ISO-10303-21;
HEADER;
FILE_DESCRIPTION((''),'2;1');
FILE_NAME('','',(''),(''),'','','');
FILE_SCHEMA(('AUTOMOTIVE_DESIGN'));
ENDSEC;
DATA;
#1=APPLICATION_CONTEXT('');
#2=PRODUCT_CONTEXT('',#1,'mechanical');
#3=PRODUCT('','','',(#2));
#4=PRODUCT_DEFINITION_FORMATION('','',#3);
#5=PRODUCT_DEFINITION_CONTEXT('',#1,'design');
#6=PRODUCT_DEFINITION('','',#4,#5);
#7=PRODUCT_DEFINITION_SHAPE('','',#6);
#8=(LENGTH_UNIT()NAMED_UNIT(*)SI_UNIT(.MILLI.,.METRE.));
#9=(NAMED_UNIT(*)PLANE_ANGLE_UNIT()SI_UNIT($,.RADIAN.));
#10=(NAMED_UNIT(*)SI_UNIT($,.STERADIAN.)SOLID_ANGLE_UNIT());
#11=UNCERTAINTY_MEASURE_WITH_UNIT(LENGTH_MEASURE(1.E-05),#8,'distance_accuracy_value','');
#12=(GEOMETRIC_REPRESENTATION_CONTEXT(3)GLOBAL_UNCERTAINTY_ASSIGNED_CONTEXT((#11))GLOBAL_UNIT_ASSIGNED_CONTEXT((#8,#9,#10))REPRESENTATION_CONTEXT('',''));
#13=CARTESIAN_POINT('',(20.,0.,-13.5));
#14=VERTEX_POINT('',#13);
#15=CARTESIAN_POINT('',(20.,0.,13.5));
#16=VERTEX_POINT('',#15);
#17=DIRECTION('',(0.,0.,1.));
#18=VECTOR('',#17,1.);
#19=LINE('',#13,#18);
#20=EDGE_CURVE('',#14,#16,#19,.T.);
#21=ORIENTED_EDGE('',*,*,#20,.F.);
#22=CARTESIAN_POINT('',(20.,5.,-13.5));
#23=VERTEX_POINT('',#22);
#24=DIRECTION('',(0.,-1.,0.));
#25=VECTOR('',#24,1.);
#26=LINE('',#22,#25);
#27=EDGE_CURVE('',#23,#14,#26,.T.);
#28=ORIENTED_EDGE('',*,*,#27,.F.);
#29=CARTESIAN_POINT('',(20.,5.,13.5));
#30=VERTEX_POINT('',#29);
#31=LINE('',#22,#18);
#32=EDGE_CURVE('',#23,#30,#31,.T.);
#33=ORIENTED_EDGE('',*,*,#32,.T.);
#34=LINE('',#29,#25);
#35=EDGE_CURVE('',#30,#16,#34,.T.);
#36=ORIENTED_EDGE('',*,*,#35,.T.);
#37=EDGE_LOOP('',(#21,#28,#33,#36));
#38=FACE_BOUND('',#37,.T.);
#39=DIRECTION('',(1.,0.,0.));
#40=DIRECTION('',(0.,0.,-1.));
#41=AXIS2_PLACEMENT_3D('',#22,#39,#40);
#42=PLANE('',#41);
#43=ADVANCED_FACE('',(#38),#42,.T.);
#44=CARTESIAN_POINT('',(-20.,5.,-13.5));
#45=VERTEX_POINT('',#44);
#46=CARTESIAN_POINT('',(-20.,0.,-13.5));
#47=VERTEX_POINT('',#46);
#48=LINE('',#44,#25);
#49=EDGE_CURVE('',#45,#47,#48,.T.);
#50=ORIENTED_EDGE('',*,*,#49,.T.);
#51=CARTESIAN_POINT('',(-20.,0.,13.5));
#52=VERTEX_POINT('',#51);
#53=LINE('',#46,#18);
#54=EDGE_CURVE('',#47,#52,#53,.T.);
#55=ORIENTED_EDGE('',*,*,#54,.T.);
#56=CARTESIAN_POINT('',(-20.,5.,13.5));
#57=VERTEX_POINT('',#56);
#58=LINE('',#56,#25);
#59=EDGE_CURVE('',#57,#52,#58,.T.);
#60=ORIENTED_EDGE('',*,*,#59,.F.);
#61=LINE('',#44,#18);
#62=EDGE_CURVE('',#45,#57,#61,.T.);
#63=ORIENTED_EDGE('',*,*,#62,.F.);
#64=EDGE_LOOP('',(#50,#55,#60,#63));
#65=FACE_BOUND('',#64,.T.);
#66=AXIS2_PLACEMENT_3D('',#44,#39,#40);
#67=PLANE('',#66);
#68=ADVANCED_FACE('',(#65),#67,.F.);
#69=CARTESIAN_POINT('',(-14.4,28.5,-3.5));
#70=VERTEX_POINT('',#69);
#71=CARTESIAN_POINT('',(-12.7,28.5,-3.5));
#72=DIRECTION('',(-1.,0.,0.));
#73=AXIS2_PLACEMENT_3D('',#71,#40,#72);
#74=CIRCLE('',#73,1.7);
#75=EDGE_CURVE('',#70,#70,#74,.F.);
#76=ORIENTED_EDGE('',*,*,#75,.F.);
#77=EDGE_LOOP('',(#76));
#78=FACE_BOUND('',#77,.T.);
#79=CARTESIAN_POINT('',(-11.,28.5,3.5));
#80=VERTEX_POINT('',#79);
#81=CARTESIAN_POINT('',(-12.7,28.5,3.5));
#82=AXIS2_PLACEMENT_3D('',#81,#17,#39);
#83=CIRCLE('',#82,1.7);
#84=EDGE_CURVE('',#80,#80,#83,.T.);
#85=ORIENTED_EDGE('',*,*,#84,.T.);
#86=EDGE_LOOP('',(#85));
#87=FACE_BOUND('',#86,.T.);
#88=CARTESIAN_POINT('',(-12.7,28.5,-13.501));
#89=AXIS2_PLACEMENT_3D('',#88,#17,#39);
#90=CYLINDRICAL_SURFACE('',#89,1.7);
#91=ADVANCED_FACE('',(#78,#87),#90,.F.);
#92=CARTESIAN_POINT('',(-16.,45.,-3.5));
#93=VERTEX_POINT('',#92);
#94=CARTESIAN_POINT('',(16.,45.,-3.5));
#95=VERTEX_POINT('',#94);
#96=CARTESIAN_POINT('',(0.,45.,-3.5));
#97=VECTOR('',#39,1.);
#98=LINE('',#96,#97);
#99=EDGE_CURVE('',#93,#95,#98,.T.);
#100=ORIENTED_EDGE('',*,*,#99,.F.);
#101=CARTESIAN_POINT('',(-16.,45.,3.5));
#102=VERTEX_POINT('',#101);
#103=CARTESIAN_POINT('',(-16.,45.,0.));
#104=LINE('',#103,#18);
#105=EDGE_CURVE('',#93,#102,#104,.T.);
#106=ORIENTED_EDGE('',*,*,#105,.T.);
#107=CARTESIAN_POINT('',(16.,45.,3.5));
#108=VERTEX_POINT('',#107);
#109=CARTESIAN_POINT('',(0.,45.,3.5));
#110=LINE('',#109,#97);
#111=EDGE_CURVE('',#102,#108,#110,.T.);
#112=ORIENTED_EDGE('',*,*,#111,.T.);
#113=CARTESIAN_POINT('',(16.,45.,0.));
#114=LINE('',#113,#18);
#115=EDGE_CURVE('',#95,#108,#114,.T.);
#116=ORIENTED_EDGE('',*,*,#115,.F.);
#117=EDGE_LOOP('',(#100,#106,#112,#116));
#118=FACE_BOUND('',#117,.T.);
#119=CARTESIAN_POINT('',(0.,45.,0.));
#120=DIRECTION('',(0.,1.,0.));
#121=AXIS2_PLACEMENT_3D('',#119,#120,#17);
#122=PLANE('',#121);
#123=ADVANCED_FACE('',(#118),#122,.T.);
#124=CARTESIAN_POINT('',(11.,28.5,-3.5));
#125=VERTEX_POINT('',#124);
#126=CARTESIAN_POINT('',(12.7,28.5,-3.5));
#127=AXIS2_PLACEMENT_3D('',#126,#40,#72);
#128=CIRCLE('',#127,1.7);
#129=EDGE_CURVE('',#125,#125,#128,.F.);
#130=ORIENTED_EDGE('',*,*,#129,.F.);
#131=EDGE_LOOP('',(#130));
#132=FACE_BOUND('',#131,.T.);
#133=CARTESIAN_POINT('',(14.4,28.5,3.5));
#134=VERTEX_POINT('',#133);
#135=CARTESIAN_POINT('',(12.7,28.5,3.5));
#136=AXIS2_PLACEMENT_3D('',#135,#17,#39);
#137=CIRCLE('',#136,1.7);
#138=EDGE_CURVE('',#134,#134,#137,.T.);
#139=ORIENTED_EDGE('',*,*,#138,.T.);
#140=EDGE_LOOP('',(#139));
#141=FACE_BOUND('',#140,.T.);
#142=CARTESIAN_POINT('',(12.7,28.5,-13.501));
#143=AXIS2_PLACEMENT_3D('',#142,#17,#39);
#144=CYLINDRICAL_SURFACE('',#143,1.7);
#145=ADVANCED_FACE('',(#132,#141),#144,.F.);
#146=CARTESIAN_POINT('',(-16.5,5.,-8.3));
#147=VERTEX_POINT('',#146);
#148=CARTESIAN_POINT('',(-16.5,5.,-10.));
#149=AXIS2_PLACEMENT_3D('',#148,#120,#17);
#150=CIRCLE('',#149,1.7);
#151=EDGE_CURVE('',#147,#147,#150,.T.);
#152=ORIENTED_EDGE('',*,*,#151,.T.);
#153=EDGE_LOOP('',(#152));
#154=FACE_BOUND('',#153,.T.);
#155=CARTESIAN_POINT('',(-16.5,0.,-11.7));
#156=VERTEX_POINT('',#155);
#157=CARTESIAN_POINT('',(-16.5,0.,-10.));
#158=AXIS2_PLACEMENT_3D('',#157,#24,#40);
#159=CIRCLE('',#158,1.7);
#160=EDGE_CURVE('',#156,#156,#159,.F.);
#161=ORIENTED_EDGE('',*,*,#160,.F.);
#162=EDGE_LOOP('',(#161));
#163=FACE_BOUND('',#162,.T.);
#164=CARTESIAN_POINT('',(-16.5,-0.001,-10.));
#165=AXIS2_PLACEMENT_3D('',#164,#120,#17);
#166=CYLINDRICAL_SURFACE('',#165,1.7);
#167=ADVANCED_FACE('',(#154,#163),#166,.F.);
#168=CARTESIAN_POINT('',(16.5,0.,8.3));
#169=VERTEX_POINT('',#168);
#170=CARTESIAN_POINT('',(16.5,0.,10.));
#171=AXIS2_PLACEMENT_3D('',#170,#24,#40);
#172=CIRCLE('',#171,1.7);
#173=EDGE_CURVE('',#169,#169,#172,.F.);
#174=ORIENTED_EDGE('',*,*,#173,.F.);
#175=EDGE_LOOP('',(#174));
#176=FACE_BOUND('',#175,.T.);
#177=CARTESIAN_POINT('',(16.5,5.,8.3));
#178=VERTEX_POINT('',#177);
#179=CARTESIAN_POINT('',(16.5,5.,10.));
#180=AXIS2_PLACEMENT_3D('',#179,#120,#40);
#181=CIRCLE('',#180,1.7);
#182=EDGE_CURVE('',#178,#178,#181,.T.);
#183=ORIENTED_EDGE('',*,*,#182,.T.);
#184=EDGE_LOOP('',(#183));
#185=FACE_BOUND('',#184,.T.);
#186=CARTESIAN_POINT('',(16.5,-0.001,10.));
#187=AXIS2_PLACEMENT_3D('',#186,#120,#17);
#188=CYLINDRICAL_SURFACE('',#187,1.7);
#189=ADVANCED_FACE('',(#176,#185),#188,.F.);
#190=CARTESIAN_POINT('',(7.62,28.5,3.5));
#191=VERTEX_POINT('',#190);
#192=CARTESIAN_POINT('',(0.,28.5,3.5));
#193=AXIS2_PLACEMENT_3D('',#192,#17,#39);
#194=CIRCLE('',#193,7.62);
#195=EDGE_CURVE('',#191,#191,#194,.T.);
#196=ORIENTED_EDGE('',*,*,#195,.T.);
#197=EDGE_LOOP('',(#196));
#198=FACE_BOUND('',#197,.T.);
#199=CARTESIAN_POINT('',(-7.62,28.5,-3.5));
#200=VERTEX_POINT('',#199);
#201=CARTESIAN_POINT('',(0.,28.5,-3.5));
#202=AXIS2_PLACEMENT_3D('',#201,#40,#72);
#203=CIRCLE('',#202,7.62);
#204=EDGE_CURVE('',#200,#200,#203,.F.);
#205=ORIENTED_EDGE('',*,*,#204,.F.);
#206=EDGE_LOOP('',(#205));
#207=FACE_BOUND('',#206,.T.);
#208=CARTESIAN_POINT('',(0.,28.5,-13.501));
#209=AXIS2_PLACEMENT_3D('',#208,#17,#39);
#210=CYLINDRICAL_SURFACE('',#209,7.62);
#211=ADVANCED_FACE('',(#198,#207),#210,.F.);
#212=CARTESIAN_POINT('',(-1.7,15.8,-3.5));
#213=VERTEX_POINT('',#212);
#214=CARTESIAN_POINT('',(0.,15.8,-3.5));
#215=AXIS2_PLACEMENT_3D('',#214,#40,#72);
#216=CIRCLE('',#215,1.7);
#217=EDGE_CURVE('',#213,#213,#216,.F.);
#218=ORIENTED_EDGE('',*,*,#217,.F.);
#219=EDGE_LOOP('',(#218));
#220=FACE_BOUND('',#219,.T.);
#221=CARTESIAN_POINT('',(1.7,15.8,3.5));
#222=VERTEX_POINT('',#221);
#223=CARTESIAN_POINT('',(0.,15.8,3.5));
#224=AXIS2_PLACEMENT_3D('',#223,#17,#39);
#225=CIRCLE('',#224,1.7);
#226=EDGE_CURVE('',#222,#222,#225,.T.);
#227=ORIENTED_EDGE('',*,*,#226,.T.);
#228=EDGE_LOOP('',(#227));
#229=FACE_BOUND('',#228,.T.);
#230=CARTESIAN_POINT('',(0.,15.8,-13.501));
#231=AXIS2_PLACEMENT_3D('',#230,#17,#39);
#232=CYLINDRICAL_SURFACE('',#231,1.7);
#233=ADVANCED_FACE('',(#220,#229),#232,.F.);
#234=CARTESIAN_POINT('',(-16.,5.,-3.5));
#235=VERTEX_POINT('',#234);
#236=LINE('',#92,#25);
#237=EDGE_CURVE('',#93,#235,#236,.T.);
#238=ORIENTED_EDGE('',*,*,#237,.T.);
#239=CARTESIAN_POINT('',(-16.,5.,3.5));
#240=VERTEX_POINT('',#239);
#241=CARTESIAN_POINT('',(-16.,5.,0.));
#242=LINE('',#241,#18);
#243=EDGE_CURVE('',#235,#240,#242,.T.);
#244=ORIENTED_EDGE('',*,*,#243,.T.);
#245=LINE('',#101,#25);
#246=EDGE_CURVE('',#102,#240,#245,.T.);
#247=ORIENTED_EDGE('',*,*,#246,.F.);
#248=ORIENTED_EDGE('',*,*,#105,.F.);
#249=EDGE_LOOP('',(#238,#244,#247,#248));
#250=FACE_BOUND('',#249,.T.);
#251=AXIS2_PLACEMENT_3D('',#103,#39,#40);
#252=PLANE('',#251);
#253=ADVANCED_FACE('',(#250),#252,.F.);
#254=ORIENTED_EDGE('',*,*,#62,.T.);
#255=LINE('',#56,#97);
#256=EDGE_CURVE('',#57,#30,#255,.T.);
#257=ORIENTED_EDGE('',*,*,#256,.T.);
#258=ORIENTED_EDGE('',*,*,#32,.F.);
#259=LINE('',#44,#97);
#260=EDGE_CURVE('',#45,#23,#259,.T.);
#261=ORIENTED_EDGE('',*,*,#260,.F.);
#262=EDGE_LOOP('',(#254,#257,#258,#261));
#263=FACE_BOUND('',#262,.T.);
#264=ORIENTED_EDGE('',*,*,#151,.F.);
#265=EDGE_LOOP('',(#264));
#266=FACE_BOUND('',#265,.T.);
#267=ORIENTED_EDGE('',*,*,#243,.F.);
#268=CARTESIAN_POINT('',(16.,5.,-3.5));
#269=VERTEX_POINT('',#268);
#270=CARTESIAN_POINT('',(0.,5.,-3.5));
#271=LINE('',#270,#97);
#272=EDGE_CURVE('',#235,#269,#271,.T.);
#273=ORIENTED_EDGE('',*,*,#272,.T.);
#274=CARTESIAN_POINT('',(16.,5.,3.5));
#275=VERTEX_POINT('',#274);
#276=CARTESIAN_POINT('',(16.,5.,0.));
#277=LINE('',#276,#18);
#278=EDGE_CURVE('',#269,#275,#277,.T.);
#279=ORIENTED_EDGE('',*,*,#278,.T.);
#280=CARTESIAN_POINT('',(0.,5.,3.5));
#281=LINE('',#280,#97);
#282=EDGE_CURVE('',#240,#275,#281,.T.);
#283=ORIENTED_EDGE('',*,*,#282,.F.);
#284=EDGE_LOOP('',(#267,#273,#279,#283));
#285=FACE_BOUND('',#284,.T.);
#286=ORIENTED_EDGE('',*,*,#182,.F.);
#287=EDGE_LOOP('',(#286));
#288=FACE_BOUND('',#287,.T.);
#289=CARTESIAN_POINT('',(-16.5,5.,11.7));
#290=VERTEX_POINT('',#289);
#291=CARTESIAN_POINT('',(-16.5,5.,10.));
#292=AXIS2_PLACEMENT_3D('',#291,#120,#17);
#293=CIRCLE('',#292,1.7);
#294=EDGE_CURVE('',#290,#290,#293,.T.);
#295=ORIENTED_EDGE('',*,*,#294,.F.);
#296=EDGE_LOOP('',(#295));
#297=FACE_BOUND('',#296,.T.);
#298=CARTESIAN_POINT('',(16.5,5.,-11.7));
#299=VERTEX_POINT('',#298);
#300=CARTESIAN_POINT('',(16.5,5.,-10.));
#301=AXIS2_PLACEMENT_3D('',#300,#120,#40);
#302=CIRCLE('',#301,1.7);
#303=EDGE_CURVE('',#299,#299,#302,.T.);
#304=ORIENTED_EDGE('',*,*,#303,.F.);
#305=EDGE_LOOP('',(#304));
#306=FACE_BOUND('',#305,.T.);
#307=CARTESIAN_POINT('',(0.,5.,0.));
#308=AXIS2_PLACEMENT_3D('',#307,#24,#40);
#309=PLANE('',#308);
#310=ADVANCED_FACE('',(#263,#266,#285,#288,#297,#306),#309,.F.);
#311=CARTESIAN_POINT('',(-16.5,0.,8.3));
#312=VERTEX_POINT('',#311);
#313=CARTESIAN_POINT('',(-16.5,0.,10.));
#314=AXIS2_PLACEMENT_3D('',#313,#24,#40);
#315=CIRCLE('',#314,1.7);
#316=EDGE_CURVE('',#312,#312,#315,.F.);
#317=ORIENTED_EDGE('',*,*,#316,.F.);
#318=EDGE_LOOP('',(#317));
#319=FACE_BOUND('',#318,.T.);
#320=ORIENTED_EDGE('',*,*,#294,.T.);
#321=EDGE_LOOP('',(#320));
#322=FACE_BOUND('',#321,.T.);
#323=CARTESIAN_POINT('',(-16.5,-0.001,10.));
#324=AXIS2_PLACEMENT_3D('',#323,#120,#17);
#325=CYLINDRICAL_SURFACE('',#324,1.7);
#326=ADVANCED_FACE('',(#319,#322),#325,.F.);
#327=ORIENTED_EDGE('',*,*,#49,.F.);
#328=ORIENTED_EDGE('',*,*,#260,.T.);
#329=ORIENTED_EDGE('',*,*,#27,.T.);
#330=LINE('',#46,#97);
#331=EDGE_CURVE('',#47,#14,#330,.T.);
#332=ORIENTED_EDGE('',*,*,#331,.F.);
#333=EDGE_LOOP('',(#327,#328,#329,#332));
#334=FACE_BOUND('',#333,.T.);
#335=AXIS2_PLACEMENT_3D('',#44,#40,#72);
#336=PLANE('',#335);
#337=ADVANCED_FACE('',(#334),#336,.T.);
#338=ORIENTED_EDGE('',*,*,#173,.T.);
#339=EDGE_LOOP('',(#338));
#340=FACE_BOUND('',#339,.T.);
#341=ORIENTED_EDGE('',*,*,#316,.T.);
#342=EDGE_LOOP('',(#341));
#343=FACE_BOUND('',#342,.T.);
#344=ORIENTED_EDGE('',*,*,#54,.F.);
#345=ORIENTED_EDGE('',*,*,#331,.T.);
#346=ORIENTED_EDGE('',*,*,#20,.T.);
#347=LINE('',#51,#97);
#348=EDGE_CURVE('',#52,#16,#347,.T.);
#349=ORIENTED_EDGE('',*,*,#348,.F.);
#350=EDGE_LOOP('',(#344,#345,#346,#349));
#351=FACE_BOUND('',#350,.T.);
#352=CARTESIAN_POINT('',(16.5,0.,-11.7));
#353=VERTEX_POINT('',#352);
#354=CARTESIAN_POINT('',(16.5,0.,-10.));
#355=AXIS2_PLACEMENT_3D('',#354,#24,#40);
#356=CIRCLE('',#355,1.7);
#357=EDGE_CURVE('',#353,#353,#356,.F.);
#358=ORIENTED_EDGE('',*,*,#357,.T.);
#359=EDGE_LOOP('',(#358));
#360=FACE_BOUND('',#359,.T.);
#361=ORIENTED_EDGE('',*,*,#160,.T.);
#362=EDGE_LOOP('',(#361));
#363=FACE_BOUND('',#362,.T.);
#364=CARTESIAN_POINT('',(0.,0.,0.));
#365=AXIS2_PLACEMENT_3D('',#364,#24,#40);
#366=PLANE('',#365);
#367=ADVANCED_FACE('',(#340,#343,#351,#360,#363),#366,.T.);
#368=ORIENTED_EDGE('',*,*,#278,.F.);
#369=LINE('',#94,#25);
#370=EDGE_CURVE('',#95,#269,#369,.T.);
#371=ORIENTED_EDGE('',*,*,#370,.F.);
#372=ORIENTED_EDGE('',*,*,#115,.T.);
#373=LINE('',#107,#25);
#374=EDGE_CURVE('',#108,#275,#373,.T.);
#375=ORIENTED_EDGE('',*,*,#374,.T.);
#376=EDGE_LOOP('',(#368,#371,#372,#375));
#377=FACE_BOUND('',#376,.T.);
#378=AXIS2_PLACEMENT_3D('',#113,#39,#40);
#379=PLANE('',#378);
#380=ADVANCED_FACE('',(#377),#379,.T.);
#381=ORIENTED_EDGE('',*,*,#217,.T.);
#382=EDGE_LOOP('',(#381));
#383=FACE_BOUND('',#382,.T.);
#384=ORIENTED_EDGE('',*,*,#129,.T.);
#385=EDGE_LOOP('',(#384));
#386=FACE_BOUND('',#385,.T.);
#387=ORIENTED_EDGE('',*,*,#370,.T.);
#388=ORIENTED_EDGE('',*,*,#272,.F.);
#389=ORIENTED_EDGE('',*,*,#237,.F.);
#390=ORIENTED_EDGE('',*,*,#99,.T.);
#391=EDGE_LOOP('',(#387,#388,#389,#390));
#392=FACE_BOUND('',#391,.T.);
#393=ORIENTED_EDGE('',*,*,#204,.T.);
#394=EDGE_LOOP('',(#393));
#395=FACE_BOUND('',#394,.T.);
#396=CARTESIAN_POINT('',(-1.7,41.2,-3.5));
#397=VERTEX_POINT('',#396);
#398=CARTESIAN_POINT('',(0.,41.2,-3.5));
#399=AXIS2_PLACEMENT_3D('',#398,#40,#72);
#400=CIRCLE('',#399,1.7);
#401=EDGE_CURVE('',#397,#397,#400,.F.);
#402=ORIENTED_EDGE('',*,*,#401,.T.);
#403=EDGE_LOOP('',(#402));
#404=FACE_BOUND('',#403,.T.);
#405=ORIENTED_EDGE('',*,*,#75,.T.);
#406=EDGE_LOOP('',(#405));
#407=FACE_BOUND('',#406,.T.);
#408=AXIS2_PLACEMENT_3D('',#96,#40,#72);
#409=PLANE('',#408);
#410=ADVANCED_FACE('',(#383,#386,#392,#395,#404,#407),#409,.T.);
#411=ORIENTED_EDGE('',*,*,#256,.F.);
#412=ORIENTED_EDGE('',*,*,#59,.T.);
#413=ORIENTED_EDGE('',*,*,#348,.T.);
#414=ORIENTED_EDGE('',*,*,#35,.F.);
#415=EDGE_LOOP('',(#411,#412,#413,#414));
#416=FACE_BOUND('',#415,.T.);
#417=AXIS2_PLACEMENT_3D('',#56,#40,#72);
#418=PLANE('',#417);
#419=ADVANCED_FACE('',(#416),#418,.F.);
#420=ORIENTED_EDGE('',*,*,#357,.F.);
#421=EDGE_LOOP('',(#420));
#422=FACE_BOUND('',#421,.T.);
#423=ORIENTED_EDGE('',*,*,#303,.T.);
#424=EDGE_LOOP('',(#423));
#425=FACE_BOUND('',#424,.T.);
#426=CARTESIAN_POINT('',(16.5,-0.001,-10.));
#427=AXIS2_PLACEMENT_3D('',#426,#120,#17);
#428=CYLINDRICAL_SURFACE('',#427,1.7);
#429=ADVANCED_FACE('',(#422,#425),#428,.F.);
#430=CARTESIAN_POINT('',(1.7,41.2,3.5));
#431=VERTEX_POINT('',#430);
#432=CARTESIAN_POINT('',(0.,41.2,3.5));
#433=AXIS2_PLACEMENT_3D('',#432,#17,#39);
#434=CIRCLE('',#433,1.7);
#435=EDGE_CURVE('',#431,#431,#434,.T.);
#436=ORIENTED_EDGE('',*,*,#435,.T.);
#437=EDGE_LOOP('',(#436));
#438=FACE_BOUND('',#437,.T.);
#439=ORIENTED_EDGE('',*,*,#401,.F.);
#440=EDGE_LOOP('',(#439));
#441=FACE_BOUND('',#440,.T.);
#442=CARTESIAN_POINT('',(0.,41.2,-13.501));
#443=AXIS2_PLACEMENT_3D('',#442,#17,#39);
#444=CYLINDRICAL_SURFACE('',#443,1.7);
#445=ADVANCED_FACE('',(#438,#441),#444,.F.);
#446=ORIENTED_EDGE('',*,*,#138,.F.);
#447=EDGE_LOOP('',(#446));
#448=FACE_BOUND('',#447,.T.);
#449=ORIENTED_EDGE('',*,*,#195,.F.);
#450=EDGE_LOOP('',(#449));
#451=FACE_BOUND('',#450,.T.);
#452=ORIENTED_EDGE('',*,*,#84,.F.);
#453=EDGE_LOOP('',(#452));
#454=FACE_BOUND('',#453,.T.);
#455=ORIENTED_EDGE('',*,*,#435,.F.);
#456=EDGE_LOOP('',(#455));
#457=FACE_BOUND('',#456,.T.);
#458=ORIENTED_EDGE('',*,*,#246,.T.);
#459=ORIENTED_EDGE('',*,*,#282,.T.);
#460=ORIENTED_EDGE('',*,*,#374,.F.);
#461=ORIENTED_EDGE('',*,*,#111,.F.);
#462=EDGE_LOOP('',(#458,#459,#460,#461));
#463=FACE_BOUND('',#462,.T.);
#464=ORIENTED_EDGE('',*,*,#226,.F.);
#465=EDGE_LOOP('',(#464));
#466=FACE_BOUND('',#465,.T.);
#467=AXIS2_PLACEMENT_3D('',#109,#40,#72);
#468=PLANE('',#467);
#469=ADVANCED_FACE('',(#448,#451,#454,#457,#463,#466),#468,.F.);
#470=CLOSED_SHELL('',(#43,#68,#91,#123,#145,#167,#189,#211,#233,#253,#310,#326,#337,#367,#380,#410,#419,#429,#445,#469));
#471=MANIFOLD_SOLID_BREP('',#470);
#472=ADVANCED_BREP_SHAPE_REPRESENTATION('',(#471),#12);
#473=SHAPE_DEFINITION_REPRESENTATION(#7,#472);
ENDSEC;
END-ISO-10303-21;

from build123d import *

# Parameters (mm, degrees)
SKETCH1_W           = 40
SKETCH1_H           = 27
SKETCH1_W_2         = 32
SKETCH1_H_2         = 7
BOSS_EXTRUDE1_DEPTH = 5
SKETCH1_3_W         = 32
SKETCH1_3_H         = 7
BOSS_EXTRUDE2_DEPTH = 45
CUT_EXTRUDE1_REACH  = 54.096
SKETCH2_R           = 7.62
CUT_EXTRUDE2_REACH  = 54.096
SKETCH4_R           = 1.7
CUT_EXTRUDE3_REACH  = 48.715
SKETCH5_R           = 1.7


with BuildPart() as part:
    # Sketch1 → Boss-Extrude1 (new body)
    with BuildSketch(Plane(origin=(0, 0, 0), x_dir=(1, 0, 0), z_dir=(0, 1, 0))):
        Rectangle(SKETCH1_W, SKETCH1_H)
        Rectangle(SKETCH1_W_2, SKETCH1_H_2, mode=Mode.SUBTRACT)
    extrude(amount=BOSS_EXTRUDE1_DEPTH)

    # Sketch1<3> → Boss-Extrude2 (add)
    with BuildSketch(Plane(origin=(0, 0, 0), x_dir=(1, 0, 0), z_dir=(0, 1, 0))):
        Rectangle(SKETCH1_3_W, SKETCH1_3_H)
    extrude(amount=BOSS_EXTRUDE2_DEPTH)

    # Sketch2 → Cut-Extrude1 (cut, up to next)
    with BuildSketch(Plane.XY.offset(3.5), mode=Mode.PRIVATE) as cut_extrude1_sk1:
        with Locations((0, 28.5)):
            Circle(SKETCH2_R)
    cut_extrude1_tool1 = extrude(cut_extrude1_sk1.sketch, amount=-CUT_EXTRUDE1_REACH, mode=Mode.PRIVATE) & part.part
    add(cut_extrude1_tool1.solids().sort_by_distance((0, 28.5, 3.5))[0], mode=Mode.SUBTRACT)

    # Sketch4 → Cut-Extrude2 (cut, up to next)
    with BuildSketch(Plane.XY.offset(3.5), mode=Mode.PRIVATE) as cut_extrude2_sk1:
        with Locations((0, 41.2)):
            Circle(SKETCH4_R)
    cut_extrude2_tool1 = extrude(cut_extrude2_sk1.sketch, amount=-CUT_EXTRUDE2_REACH, mode=Mode.PRIVATE) & part.part
    # Sketch4 → Cut-Extrude2 (cut, up to next)
    with BuildSketch(Plane.XY.offset(3.5), mode=Mode.PRIVATE) as cut_extrude2_sk2:
        with Locations((12.7, 28.5)):
            Circle(SKETCH4_R)
    cut_extrude2_tool2 = extrude(cut_extrude2_sk2.sketch, amount=-CUT_EXTRUDE2_REACH, mode=Mode.PRIVATE) & part.part
    # Sketch4 → Cut-Extrude2 (cut, up to next)
    with BuildSketch(Plane.XY.offset(3.5), mode=Mode.PRIVATE) as cut_extrude2_sk3:
        with Locations((0, 15.8)):
            Circle(SKETCH4_R)
    cut_extrude2_tool3 = extrude(cut_extrude2_sk3.sketch, amount=-CUT_EXTRUDE2_REACH, mode=Mode.PRIVATE) & part.part
    # Sketch4 → Cut-Extrude2 (cut, up to next)
    with BuildSketch(Plane.XY.offset(3.5), mode=Mode.PRIVATE) as cut_extrude2_sk4:
        with Locations((-12.7, 28.5)):
            Circle(SKETCH4_R)
    cut_extrude2_tool4 = extrude(cut_extrude2_sk4.sketch, amount=-CUT_EXTRUDE2_REACH, mode=Mode.PRIVATE) & part.part
    add(cut_extrude2_tool1.solids().sort_by_distance((0, 41.2, 3.5))[0], mode=Mode.SUBTRACT)
    add(cut_extrude2_tool2.solids().sort_by_distance((12.7, 28.5, 3.5))[0], mode=Mode.SUBTRACT)
    add(cut_extrude2_tool3.solids().sort_by_distance((0, 15.8, 3.5))[0], mode=Mode.SUBTRACT)
    add(cut_extrude2_tool4.solids().sort_by_distance((-12.7, 28.5, 3.5))[0], mode=Mode.SUBTRACT)

    # Sketch5 → Cut-Extrude3 (cut, up to next)
    with BuildSketch(Plane(origin=(0, 5, 0), x_dir=(1, 0, 0), z_dir=(0, 1, 0)), mode=Mode.PRIVATE) as cut_extrude3_sk1:
        with Locations((-16.5, 10)):
            Circle(SKETCH5_R)
    cut_extrude3_tool1 = extrude(cut_extrude3_sk1.sketch, amount=-CUT_EXTRUDE3_REACH, mode=Mode.PRIVATE) & part.part
    # Sketch5 → Cut-Extrude3 (cut, up to next)
    with BuildSketch(Plane(origin=(0, 5, 0), x_dir=(1, 0, 0), z_dir=(0, 1, 0)), mode=Mode.PRIVATE) as cut_extrude3_sk2:
        with Locations((-16.5, -10)):
            Circle(SKETCH5_R)
    cut_extrude3_tool2 = extrude(cut_extrude3_sk2.sketch, amount=-CUT_EXTRUDE3_REACH, mode=Mode.PRIVATE) & part.part
    # Sketch5 → Cut-Extrude3 (cut, up to next)
    with BuildSketch(Plane(origin=(0, 5, 0), x_dir=(1, 0, 0), z_dir=(0, 1, 0)), mode=Mode.PRIVATE) as cut_extrude3_sk3:
        with Locations((16.5, -10)):
            Circle(SKETCH5_R)
    cut_extrude3_tool3 = extrude(cut_extrude3_sk3.sketch, amount=-CUT_EXTRUDE3_REACH, mode=Mode.PRIVATE) & part.part
    # Sketch5 → Cut-Extrude3 (cut, up to next)
    with BuildSketch(Plane(origin=(0, 5, 0), x_dir=(1, 0, 0), z_dir=(0, 1, 0)), mode=Mode.PRIVATE) as cut_extrude3_sk4:
        with Locations((16.5, 10)):
            Circle(SKETCH5_R)
    cut_extrude3_tool4 = extrude(cut_extrude3_sk4.sketch, amount=-CUT_EXTRUDE3_REACH, mode=Mode.PRIVATE) & part.part
    add(cut_extrude3_tool1.solids().sort_by_distance((-16.5, 5, -10))[0], mode=Mode.SUBTRACT)
    add(cut_extrude3_tool2.solids().sort_by_distance((-16.5, 5, 10))[0], mode=Mode.SUBTRACT)
    add(cut_extrude3_tool3.solids().sort_by_distance((16.5, 5, 10))[0], mode=Mode.SUBTRACT)
    add(cut_extrude3_tool4.solids().sort_by_distance((16.5, 5, -10))[0], mode=Mode.SUBTRACT)


solid = part.part
